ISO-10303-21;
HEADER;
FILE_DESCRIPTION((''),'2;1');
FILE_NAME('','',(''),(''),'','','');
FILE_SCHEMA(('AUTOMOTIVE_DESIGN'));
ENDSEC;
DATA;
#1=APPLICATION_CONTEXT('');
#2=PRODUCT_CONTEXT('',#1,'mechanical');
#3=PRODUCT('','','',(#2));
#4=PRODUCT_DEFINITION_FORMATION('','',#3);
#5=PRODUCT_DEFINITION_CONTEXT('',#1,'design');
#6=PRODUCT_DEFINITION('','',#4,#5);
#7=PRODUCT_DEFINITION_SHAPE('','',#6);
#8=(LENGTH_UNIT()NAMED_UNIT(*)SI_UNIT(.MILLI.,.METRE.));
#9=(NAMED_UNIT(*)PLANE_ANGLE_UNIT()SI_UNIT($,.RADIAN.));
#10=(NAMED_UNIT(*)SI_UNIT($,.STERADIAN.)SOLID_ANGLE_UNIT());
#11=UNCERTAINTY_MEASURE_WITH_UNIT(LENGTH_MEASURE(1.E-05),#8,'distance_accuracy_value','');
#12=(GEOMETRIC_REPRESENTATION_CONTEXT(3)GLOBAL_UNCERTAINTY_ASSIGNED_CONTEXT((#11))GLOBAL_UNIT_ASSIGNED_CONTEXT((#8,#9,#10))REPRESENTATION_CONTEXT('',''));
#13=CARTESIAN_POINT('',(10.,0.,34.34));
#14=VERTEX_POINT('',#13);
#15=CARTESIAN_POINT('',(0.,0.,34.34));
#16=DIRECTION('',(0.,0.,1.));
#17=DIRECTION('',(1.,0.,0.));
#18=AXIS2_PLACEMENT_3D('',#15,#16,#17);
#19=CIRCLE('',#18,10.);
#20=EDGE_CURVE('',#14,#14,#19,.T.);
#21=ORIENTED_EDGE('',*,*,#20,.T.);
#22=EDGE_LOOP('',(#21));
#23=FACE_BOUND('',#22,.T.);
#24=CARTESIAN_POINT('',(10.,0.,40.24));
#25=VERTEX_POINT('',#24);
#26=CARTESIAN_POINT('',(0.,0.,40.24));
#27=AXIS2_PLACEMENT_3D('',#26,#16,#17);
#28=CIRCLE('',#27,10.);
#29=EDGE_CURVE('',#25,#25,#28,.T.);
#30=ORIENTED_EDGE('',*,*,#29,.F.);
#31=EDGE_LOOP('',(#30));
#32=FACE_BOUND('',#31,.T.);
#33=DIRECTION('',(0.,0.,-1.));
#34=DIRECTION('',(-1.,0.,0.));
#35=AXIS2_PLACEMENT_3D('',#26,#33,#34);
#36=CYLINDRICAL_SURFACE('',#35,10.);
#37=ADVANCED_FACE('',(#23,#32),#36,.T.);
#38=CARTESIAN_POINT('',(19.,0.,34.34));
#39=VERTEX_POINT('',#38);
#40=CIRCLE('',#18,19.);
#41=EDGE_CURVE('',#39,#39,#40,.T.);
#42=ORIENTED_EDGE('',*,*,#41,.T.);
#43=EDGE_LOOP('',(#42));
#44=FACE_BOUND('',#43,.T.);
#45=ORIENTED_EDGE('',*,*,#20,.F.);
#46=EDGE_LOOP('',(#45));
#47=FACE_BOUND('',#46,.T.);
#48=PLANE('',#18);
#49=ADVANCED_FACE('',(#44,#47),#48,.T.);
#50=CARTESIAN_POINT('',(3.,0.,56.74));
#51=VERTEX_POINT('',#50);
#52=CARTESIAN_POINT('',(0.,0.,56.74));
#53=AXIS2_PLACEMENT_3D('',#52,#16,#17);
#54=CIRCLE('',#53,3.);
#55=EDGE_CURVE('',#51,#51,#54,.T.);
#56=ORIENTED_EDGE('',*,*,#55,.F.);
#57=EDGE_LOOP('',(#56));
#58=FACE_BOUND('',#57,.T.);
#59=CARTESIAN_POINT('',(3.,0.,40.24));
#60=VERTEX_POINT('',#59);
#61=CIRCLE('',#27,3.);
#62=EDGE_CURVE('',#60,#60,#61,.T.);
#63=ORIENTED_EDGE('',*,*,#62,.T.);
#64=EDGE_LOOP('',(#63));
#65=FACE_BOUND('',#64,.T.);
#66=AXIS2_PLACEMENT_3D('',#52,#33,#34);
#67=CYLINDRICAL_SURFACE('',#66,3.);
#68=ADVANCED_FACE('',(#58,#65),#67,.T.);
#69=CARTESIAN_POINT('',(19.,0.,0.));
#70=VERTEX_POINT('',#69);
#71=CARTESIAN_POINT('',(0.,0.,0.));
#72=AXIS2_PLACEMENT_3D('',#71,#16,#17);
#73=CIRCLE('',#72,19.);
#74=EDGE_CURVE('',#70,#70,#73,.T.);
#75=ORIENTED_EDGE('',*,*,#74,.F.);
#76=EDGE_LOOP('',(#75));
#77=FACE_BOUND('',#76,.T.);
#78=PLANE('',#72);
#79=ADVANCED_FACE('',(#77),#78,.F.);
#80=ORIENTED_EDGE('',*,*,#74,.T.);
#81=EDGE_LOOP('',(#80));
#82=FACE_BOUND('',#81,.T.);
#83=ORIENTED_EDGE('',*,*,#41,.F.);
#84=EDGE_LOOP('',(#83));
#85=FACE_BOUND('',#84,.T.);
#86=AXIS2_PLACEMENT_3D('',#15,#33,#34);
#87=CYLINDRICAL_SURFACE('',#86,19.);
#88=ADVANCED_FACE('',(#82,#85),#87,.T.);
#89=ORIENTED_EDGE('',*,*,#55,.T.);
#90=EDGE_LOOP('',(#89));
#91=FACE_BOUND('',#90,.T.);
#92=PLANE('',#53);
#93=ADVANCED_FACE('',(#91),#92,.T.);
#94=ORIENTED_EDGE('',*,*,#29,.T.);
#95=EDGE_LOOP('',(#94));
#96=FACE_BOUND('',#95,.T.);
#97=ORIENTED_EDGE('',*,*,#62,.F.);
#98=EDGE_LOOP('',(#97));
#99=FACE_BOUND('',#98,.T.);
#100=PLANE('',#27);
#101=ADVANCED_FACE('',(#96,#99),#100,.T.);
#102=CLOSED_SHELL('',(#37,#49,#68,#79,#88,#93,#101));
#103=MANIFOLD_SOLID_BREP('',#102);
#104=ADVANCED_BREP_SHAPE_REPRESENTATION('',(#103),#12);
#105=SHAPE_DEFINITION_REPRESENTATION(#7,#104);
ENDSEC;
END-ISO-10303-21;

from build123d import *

# Parameters (mm, degrees)
SKETCH1_R           = 19
BOSS_EXTRUDE1_DEPTH = 34.34
SKETCH2_R           = 10
BOSS_EXTRUDE2_DEPTH = 5.9
SKETCH3_R           = 3
BOSS_EXTRUDE3_DEPTH = 16.5


with BuildPart() as part:
    # Sketch1 → Boss-Extrude1 (new body)
    with BuildSketch(Plane.XY):
        Circle(SKETCH1_R)
    extrude(amount=BOSS_EXTRUDE1_DEPTH)

    # Sketch2 → Boss-Extrude2 (add)
    with BuildSketch(Plane.XY.offset(34.34)):
        Circle(SKETCH2_R)
    extrude(amount=BOSS_EXTRUDE2_DEPTH)

    # Sketch3 → Boss-Extrude3 (add)
    with BuildSketch(Plane.XY.offset(40.24)):
        Circle(SKETCH3_R)
    extrude(amount=BOSS_EXTRUDE3_DEPTH)


solid = part.part
